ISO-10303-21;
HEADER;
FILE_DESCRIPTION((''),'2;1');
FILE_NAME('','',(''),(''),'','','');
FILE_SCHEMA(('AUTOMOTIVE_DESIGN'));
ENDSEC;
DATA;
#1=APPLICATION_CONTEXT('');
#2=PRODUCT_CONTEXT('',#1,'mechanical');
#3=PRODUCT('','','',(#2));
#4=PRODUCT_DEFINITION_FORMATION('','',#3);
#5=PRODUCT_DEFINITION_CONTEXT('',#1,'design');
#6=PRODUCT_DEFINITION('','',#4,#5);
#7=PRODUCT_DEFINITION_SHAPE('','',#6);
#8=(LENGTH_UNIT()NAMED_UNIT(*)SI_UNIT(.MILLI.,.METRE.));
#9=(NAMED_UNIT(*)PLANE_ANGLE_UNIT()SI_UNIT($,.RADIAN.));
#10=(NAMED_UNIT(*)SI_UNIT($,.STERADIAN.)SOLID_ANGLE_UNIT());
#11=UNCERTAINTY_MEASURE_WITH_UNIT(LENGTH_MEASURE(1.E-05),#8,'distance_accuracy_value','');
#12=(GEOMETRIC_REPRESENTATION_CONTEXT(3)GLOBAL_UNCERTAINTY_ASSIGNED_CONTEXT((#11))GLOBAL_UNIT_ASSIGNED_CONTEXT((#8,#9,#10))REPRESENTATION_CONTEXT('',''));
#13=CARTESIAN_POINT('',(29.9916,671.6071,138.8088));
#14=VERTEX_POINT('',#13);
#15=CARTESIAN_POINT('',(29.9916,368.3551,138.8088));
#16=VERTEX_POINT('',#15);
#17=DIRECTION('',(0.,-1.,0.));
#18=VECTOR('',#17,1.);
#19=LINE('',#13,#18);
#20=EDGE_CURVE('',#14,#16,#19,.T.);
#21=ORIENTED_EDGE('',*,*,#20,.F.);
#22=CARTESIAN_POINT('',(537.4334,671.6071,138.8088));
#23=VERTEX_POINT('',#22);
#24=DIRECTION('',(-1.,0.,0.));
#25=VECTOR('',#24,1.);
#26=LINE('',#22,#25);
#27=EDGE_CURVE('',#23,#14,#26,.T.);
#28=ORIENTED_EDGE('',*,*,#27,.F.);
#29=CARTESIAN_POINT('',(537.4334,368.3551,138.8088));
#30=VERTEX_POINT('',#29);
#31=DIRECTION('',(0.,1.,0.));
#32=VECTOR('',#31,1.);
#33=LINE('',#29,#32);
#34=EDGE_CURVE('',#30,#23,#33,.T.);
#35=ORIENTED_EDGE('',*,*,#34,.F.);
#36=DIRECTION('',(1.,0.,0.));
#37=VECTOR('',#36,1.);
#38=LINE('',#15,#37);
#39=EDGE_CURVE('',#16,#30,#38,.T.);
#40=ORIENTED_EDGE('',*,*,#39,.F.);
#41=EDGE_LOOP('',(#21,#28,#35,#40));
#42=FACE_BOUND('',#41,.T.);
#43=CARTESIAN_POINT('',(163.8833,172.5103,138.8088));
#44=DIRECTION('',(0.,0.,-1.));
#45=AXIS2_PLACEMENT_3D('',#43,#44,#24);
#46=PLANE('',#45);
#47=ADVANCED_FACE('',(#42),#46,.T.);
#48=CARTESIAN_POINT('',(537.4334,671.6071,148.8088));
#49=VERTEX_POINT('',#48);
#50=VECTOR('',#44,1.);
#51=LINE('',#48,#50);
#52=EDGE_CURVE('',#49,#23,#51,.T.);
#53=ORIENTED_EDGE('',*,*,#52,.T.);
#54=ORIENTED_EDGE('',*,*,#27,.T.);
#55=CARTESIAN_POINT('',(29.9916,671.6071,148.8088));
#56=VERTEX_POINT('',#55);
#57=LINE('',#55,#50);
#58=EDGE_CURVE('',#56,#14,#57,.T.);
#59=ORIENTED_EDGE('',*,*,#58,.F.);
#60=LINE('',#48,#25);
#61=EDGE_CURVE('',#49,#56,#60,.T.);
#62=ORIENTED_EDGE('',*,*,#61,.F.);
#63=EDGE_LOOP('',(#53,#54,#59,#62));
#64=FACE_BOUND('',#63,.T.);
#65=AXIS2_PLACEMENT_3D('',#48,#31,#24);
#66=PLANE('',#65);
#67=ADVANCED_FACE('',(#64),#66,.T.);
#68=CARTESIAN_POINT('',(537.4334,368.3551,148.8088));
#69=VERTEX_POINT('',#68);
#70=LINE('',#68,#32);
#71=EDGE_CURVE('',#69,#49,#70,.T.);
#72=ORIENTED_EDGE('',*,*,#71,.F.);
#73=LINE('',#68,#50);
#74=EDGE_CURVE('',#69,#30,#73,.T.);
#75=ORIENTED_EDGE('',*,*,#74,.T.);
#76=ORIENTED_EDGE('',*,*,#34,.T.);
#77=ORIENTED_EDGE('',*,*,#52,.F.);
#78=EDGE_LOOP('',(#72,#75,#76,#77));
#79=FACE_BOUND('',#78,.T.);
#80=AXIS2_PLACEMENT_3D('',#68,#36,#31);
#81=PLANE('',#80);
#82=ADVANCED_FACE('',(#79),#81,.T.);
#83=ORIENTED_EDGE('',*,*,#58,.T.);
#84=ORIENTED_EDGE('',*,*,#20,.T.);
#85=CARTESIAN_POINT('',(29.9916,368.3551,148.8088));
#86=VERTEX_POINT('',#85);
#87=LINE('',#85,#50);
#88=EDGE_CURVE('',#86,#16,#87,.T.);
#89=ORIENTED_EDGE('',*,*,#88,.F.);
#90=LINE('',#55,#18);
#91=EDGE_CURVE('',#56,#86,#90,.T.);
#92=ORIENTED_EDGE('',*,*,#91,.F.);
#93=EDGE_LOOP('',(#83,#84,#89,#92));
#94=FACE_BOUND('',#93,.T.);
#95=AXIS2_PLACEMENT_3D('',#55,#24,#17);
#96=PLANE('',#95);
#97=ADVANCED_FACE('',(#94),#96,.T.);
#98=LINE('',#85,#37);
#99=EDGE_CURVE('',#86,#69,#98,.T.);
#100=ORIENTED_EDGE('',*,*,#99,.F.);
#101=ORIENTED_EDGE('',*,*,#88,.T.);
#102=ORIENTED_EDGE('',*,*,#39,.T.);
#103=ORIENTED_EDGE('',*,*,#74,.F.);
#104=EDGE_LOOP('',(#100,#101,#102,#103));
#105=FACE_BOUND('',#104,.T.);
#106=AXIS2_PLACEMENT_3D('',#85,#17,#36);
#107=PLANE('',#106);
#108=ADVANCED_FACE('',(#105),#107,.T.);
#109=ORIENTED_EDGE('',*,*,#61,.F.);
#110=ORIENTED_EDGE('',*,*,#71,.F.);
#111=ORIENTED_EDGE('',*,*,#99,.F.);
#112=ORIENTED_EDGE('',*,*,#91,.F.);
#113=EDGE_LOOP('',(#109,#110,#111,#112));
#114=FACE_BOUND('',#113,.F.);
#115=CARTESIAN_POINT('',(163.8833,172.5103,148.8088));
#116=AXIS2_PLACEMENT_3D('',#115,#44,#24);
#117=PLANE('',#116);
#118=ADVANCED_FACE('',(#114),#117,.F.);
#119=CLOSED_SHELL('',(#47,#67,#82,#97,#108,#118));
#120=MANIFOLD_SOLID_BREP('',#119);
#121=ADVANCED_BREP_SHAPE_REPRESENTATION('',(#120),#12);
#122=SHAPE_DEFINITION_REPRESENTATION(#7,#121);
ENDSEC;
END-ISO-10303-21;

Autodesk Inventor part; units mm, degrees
ref_plane "YZ Plane" through (0, 0, 0) normal (1, 0, 0) x (0, 1, 0)
ref_plane "XZ Plane" through (0, 0, 0) normal (0, 1, 0) x (-1, 0, 0)
ref_plane "XY Plane" through (0, 0, 0) normal (0, 0, 1) x (1, 0, 0)
ref_plane "Work Plane1" through (163.8833, 172.5103, 148.8088) normal (0, 0, -1) x (-1, 0, 0)
sketch "Sketch1" plane through (163.8833, 172.5103, 148.8088) normal (0, 0, -1) x (-1, 0, 0)
  line L0 (-373.5501, 499.0968) -> (133.8917, 499.0968)
  line L1 (133.8917, 499.0968) -> (133.8917, 195.8448)
  line L2 (133.8917, 195.8448) -> (-373.5501, 195.8448)
  line L3 (-373.5501, 195.8448) -> (-373.5501, 499.0968)
  point P0 (163.8833, -172.5103)
extrude "Extrusion1" add sketch "Sketch1" along normal blind 10
properties part number "placa"
